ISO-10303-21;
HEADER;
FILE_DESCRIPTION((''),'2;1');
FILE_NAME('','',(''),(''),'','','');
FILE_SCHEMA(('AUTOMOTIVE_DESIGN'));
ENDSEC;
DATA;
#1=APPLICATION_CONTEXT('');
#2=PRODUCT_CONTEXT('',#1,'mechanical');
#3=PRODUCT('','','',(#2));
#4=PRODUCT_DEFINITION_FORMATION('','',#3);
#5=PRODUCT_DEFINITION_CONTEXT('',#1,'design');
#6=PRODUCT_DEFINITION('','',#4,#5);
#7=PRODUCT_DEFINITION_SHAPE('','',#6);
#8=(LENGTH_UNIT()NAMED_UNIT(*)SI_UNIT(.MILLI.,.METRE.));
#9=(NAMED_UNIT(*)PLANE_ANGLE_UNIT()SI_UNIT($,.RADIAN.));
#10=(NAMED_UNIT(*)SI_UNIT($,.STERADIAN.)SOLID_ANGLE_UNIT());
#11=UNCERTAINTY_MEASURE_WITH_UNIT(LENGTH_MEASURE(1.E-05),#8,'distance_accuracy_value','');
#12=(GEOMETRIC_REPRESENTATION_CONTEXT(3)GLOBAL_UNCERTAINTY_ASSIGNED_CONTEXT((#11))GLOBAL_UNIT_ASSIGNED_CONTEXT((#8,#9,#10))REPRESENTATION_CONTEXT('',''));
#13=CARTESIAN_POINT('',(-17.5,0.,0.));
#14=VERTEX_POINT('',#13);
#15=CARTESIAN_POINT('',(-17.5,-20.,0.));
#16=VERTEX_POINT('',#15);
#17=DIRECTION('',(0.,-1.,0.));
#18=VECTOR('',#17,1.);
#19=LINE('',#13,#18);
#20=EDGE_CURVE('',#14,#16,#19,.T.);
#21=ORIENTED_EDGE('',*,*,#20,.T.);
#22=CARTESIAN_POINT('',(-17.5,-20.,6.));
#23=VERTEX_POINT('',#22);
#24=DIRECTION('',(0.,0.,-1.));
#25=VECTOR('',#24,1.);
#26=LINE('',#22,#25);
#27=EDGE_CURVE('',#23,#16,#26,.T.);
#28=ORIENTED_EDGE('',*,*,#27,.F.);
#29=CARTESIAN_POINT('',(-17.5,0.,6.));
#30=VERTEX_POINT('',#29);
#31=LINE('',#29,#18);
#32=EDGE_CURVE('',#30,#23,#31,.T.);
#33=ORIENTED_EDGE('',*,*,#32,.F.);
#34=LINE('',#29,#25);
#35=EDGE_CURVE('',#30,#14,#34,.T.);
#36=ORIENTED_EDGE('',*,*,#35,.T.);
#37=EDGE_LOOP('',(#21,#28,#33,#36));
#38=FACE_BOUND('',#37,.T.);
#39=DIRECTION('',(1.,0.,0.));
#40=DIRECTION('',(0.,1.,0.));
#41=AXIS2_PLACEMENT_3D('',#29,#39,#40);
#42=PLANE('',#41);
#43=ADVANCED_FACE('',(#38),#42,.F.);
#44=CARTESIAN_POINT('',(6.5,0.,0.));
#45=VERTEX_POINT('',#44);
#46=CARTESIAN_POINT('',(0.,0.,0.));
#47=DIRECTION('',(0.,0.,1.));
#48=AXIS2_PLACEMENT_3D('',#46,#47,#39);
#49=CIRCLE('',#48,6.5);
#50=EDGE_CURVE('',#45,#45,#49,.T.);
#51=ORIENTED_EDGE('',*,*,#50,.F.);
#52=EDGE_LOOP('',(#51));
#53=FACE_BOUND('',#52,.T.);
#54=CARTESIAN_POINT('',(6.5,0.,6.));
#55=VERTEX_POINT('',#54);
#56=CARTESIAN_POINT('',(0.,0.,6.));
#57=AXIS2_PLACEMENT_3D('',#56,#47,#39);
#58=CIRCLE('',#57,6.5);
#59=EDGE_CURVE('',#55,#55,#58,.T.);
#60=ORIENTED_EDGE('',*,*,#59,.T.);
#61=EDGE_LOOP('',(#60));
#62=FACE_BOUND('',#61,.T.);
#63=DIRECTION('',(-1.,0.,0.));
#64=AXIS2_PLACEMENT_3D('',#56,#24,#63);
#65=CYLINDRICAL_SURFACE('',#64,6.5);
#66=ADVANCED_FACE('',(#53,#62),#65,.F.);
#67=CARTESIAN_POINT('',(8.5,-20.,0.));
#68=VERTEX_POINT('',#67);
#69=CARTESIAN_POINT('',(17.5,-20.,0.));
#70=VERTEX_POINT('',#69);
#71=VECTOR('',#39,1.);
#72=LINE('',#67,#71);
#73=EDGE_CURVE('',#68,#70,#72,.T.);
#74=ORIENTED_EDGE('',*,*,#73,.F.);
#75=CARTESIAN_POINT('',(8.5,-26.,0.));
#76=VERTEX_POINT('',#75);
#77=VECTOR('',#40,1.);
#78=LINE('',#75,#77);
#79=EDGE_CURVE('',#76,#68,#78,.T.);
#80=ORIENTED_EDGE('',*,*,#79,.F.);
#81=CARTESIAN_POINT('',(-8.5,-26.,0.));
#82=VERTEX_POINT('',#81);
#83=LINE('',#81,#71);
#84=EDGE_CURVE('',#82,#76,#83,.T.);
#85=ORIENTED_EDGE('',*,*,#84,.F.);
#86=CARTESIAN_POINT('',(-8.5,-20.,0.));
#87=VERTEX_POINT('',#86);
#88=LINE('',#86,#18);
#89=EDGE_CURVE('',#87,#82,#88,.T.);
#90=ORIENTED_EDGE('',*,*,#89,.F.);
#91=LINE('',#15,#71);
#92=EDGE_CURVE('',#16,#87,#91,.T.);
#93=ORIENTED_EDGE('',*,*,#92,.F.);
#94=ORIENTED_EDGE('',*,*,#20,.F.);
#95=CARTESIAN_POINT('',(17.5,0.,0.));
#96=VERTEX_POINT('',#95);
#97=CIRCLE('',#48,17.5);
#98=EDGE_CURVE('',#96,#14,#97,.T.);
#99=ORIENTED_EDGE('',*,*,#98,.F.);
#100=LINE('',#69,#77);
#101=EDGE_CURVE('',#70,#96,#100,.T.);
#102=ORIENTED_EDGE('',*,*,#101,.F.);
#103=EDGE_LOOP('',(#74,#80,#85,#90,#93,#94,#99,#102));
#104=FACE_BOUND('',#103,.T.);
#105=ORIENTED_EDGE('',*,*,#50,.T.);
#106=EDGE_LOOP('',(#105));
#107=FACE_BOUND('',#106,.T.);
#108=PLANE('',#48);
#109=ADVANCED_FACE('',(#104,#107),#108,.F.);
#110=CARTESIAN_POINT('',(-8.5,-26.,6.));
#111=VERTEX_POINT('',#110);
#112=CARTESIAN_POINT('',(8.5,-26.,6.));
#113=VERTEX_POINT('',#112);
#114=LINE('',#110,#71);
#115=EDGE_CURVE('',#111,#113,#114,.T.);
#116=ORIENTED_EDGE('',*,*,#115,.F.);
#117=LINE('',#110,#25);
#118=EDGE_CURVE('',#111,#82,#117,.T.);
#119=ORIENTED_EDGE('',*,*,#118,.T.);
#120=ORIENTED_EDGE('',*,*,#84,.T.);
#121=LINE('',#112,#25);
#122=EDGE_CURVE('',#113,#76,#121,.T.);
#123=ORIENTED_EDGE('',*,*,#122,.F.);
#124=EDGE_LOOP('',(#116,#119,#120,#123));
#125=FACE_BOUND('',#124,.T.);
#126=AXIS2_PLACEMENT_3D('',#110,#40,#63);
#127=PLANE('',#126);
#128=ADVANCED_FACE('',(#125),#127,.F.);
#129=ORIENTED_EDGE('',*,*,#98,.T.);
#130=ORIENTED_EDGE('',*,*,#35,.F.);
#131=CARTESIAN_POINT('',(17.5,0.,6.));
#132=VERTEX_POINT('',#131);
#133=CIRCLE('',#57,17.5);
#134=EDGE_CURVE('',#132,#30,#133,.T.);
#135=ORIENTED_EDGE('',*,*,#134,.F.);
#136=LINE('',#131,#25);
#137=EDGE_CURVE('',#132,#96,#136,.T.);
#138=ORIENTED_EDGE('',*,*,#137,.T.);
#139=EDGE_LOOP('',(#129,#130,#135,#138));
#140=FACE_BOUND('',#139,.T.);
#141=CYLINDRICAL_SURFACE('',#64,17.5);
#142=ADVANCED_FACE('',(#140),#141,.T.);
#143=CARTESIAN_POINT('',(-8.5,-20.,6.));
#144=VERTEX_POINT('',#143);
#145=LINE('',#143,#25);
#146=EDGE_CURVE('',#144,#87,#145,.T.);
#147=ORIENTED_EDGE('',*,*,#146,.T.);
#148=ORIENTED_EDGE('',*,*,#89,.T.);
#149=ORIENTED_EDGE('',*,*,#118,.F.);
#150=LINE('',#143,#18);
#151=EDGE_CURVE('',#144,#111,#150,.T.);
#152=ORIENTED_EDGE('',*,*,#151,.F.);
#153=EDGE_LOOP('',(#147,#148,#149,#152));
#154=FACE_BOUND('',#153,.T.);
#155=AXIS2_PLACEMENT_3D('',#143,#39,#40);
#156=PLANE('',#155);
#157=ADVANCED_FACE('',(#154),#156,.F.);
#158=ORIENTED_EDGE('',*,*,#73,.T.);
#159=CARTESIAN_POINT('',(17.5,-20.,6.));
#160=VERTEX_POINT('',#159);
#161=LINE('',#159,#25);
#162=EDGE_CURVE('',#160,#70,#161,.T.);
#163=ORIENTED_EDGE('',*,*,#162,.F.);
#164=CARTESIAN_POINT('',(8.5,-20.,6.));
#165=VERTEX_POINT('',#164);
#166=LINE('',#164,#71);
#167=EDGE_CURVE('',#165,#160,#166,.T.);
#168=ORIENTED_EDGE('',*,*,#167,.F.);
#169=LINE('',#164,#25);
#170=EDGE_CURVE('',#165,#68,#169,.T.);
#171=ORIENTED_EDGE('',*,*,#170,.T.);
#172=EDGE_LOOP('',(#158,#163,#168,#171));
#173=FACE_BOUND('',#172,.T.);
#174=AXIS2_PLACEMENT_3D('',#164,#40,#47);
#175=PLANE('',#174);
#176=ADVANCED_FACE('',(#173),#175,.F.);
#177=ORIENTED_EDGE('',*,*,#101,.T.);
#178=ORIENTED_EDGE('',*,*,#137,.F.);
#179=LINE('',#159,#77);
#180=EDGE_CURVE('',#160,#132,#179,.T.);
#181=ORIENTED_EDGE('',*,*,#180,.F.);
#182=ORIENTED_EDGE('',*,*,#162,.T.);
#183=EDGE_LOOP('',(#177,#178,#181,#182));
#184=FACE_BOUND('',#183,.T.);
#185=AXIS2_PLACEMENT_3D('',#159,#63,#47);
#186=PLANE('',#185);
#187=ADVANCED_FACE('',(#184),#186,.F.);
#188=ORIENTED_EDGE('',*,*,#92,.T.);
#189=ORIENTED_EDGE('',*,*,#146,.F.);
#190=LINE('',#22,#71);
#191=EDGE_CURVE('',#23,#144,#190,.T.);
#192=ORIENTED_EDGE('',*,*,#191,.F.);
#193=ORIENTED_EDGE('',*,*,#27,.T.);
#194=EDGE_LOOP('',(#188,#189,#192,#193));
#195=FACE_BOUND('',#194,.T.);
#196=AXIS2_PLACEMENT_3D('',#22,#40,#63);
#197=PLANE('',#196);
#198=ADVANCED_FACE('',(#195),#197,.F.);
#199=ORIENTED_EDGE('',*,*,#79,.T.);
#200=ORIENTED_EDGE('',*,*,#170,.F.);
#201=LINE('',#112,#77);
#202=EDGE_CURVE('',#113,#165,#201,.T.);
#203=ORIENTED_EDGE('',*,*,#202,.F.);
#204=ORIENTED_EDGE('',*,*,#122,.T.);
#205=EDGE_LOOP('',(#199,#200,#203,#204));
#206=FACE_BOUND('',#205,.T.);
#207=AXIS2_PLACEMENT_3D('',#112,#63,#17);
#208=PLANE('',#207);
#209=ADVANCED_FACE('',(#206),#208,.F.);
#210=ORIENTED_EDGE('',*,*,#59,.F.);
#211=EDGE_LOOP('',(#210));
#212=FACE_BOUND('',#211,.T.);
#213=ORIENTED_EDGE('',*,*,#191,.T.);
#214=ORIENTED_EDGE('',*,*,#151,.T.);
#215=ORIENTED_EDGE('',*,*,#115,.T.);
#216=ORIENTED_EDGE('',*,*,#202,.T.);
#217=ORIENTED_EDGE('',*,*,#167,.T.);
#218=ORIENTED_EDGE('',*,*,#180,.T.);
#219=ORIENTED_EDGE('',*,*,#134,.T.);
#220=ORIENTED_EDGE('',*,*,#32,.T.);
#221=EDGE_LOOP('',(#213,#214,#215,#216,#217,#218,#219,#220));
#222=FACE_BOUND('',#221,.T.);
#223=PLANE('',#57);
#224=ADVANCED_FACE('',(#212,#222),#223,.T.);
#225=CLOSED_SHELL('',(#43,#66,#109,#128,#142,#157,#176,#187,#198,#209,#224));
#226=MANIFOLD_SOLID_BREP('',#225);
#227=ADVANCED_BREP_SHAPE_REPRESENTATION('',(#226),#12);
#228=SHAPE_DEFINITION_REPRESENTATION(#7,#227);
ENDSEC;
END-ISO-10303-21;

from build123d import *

# Parameters (mm, degrees)
SKETCH1_R           = 6.5
BOSS_EXTRUDE1_DEPTH = 6


with BuildPart() as part:
    # Sketch1 → Boss-Extrude1 (new body)
    with BuildSketch(Plane.XY):
        with BuildLine():
            Line((-17.5, 0), (-17.5, -20))
            Line((-17.5, -20), (-8.5, -20))
            Line((-8.5, -20), (-8.5, -26))
            Line((-8.5, -26), (8.5, -26))
            Line((8.5, -26), (8.5, -20))
            Line((8.5, -20), (17.5, -20))
            Line((17.5, -20), (17.5, 0))
            ThreePointArc((17.5, 0), (0, 17.5), (-17.5, 0))
        make_face()
        Circle(SKETCH1_R, mode=Mode.SUBTRACT)
    extrude(amount=BOSS_EXTRUDE1_DEPTH)


solid = part.part
